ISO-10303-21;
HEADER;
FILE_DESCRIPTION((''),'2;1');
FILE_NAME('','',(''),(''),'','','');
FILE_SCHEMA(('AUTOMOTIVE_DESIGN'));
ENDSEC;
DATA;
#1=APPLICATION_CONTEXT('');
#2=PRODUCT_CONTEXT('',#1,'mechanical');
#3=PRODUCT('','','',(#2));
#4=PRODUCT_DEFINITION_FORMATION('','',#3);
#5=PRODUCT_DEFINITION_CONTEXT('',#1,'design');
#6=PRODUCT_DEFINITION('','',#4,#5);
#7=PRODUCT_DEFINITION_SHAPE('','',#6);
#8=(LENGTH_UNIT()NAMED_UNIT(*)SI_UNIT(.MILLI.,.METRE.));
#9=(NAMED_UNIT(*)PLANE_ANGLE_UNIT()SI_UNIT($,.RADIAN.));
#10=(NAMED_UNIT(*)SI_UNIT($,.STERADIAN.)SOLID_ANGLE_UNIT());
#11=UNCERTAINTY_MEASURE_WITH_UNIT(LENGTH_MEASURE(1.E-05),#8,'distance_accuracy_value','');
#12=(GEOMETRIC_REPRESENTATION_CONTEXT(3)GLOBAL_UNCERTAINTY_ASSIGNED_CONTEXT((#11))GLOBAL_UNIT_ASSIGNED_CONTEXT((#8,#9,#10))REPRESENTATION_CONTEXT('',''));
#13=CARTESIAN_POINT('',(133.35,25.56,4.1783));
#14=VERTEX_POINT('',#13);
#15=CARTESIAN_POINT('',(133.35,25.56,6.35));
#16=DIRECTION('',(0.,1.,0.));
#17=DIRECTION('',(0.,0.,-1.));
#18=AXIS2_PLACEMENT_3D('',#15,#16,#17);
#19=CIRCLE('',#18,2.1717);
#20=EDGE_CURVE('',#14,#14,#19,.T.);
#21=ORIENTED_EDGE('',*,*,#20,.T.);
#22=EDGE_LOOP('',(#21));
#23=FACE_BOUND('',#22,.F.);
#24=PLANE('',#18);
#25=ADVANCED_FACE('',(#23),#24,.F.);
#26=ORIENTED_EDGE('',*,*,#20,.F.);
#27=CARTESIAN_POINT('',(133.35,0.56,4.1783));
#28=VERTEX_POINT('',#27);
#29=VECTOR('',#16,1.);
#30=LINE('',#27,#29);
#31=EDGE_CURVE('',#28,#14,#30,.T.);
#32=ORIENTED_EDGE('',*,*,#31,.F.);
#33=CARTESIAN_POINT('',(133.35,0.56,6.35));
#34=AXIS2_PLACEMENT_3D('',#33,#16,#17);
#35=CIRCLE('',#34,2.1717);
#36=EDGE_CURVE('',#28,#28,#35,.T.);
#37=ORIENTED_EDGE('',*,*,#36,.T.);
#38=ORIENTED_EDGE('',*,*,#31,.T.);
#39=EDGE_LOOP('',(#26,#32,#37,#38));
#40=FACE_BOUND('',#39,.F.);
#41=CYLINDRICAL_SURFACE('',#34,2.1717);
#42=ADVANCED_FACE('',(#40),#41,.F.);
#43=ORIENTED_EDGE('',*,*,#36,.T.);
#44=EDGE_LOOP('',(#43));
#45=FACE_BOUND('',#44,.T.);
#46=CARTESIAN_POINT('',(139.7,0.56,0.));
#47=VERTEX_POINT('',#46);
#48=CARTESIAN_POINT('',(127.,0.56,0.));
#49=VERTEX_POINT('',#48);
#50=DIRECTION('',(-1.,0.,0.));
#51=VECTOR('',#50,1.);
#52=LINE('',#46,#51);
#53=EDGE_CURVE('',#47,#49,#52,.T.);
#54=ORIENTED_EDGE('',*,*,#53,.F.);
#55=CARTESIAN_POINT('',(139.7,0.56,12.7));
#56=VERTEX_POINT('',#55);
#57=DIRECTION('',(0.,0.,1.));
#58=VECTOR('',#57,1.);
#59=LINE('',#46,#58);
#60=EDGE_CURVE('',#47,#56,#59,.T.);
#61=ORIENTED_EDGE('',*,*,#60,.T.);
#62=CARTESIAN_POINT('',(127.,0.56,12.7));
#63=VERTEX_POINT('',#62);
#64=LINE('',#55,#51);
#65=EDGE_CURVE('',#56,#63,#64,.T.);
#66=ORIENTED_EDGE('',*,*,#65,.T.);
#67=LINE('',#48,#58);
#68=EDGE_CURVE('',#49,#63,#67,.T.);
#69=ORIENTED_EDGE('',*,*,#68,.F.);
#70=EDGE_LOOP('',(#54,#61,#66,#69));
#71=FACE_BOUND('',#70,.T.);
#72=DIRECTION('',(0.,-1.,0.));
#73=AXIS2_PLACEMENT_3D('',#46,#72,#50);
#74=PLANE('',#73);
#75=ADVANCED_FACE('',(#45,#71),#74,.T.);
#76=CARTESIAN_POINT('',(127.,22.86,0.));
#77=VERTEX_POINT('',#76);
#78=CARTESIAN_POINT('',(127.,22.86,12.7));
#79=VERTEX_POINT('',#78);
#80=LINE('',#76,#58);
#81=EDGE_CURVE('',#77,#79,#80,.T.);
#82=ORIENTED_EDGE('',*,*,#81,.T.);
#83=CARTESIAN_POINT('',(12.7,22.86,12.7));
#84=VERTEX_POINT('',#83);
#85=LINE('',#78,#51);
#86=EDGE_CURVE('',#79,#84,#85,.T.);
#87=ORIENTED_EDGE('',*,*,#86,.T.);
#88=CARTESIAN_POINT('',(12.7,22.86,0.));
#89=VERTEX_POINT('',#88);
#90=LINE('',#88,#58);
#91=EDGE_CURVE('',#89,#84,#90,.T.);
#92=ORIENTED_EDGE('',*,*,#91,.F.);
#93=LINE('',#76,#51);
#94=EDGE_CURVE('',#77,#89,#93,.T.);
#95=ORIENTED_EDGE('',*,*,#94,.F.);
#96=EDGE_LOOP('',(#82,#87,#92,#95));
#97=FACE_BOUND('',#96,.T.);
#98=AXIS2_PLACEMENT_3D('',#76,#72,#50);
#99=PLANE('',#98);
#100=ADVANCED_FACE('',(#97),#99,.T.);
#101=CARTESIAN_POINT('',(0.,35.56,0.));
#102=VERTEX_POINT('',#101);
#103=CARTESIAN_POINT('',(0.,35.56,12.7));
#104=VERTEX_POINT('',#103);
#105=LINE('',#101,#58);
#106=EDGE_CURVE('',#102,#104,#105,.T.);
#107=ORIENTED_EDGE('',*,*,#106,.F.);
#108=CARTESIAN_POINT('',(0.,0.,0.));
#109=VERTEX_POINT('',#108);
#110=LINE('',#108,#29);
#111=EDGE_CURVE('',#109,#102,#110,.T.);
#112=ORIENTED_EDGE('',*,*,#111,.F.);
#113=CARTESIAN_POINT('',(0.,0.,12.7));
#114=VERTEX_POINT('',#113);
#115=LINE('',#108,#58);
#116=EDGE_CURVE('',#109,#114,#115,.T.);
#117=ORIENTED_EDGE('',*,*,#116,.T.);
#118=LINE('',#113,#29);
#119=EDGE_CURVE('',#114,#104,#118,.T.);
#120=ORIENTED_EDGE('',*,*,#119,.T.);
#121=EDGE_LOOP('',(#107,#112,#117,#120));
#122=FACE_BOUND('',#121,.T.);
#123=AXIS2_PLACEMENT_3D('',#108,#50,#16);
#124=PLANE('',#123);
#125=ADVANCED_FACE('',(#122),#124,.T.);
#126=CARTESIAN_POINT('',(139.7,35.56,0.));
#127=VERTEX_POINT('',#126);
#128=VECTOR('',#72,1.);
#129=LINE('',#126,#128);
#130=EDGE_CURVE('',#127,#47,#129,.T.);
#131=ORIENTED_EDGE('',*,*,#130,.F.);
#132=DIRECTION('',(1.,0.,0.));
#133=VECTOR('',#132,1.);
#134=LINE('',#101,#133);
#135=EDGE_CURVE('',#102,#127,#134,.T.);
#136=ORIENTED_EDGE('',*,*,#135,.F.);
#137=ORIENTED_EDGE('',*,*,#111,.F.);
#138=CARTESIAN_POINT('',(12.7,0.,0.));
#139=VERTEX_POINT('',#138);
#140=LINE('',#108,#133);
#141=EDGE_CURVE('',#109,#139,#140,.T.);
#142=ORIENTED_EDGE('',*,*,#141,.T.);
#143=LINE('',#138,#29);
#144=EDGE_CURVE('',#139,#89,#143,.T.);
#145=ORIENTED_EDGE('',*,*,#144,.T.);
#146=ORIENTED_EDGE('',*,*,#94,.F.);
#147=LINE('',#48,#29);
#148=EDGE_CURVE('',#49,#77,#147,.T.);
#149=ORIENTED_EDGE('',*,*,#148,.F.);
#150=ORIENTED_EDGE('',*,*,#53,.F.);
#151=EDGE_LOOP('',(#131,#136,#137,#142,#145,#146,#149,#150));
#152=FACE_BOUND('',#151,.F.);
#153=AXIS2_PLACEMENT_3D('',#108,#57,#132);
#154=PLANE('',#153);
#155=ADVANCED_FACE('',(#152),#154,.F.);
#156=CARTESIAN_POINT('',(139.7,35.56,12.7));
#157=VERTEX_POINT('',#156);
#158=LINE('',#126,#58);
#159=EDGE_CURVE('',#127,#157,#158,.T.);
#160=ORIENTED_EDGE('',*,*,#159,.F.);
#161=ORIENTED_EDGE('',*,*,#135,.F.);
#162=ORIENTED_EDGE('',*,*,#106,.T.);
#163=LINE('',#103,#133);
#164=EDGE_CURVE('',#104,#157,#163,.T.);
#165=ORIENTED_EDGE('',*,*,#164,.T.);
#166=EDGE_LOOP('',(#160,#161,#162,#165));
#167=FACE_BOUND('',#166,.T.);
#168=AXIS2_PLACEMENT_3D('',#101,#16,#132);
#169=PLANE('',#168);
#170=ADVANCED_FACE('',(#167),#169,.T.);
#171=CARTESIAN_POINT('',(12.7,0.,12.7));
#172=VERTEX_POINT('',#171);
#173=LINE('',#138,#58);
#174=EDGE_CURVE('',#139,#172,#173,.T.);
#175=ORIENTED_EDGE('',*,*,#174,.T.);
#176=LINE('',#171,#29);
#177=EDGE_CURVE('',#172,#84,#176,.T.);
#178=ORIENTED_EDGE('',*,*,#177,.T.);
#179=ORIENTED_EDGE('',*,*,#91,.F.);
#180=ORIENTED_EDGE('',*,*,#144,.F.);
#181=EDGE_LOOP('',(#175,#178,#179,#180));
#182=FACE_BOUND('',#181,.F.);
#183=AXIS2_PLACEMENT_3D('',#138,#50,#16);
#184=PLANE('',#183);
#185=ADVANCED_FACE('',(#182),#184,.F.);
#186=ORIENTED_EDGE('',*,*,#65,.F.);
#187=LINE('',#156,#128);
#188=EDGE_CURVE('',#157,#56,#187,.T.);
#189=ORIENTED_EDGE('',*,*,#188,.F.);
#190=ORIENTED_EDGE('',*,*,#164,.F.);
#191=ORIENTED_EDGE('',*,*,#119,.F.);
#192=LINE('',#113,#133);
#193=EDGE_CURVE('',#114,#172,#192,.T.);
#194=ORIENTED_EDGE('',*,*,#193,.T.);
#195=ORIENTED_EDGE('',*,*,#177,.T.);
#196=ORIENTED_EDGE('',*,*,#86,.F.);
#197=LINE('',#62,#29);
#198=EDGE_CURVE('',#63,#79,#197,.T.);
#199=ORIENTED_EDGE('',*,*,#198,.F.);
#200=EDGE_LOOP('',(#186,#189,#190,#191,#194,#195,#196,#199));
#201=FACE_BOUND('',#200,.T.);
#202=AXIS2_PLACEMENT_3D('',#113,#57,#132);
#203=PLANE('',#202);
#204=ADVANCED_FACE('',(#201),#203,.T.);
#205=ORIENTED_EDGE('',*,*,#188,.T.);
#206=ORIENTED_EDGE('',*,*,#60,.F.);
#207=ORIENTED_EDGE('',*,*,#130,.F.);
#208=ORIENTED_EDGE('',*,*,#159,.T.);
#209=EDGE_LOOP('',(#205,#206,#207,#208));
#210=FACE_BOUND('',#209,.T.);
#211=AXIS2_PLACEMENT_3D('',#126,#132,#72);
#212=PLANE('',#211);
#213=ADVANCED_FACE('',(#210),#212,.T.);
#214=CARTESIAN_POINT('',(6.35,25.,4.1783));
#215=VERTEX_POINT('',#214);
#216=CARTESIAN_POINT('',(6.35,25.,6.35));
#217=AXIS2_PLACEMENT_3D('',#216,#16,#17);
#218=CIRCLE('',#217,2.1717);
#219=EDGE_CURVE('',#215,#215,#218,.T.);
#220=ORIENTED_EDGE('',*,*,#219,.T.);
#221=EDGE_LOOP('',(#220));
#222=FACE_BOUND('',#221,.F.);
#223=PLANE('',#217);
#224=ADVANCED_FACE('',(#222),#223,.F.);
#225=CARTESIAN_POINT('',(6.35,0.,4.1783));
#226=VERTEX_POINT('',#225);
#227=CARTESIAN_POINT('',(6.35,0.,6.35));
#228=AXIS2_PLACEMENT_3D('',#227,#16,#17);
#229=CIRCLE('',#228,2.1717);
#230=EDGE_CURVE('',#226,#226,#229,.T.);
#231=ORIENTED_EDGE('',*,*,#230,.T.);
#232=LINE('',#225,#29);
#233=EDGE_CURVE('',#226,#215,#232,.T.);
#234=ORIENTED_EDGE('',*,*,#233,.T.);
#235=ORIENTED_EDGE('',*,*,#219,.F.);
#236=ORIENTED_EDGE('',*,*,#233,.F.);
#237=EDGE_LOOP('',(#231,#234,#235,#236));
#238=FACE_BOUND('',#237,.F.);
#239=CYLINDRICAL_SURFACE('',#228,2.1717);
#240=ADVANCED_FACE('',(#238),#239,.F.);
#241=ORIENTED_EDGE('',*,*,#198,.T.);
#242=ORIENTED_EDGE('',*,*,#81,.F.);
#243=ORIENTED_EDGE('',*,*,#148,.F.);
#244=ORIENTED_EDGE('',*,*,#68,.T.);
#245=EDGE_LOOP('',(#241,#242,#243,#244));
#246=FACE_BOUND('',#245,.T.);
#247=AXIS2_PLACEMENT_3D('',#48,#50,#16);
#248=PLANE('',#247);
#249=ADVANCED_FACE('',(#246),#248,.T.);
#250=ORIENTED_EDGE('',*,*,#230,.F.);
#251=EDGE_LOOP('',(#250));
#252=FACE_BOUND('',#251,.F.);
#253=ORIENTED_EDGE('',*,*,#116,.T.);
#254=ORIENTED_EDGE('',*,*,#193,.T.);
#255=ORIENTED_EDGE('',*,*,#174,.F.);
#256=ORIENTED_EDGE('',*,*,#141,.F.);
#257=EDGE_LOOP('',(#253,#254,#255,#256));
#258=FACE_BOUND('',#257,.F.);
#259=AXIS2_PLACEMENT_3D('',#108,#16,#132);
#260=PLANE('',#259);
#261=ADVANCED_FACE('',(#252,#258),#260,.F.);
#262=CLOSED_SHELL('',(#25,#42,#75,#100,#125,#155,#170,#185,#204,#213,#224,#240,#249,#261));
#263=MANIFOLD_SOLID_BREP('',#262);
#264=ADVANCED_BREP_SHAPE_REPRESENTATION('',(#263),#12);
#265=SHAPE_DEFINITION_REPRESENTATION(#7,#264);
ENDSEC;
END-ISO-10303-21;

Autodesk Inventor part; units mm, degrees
ref_plane "YZ Plane" through (0, 0, 0) normal (1, 0, 0) x (0, 1, 0)
ref_plane "XZ Plane" through (0, 0, 0) normal (0, 1, 0) x (-1, 0, 0)
ref_plane "XY Plane" through (0, 0, 0) normal (0, 0, 1) x (1, 0, 0)
sketch "Sketch1" plane through (0, 0, 0) normal (0, 0, 1) x (1, 0, 0)
  line L0 (0, 0) -> (12.7, 0)
  line L1 (12.7, 0) -> (12.7, 22.86)
  line L2 (0, 0) -> (0, 35.56)
  line L3 (0, 35.56) -> (139.7, 35.56)
  line L4 (139.7, 35.56) -> (139.7, 0.56)
  line L5 (139.7, 0.56) -> (127, 0.56)
  line L6 (127, 0.56) -> (127, 22.86)
  line L7 (127, 22.86) -> (12.7, 22.86)
  line L8 (6.35, 28.6931) -> (133.35, 28.6931) construction
  line L9 (6.35, 28.6931) -> (6.35, 0) construction
  line L10 (133.35, 28.6931) -> (133.35, 0) construction
  dimension "d0" = 12.7
  dimension "d2" = 35.56
  dimension "d4" = 12.7
  dimension "d28" = 12.7
  dimension "d29" = 127
extrude "Extrusion1" add sketch "Sketch1" along normal blind 12.7
hole "Hole1" at (6.35, 0, 6.35) direction (0, 1, 0) diameter 4.3434 depth 25 thread size "12-24 UNC" class "2B" standard "ANSI Unified Screw Threads"
hole "Hole2" at (133.35, 0.56, 6.35) direction (0, 1, 0) diameter 4.3434 depth 25 thread size "12-24 UNC" class "2B" standard "ANSI Unified Screw Threads"
properties part number "BarHandle5in" material "Stainless Steel"
